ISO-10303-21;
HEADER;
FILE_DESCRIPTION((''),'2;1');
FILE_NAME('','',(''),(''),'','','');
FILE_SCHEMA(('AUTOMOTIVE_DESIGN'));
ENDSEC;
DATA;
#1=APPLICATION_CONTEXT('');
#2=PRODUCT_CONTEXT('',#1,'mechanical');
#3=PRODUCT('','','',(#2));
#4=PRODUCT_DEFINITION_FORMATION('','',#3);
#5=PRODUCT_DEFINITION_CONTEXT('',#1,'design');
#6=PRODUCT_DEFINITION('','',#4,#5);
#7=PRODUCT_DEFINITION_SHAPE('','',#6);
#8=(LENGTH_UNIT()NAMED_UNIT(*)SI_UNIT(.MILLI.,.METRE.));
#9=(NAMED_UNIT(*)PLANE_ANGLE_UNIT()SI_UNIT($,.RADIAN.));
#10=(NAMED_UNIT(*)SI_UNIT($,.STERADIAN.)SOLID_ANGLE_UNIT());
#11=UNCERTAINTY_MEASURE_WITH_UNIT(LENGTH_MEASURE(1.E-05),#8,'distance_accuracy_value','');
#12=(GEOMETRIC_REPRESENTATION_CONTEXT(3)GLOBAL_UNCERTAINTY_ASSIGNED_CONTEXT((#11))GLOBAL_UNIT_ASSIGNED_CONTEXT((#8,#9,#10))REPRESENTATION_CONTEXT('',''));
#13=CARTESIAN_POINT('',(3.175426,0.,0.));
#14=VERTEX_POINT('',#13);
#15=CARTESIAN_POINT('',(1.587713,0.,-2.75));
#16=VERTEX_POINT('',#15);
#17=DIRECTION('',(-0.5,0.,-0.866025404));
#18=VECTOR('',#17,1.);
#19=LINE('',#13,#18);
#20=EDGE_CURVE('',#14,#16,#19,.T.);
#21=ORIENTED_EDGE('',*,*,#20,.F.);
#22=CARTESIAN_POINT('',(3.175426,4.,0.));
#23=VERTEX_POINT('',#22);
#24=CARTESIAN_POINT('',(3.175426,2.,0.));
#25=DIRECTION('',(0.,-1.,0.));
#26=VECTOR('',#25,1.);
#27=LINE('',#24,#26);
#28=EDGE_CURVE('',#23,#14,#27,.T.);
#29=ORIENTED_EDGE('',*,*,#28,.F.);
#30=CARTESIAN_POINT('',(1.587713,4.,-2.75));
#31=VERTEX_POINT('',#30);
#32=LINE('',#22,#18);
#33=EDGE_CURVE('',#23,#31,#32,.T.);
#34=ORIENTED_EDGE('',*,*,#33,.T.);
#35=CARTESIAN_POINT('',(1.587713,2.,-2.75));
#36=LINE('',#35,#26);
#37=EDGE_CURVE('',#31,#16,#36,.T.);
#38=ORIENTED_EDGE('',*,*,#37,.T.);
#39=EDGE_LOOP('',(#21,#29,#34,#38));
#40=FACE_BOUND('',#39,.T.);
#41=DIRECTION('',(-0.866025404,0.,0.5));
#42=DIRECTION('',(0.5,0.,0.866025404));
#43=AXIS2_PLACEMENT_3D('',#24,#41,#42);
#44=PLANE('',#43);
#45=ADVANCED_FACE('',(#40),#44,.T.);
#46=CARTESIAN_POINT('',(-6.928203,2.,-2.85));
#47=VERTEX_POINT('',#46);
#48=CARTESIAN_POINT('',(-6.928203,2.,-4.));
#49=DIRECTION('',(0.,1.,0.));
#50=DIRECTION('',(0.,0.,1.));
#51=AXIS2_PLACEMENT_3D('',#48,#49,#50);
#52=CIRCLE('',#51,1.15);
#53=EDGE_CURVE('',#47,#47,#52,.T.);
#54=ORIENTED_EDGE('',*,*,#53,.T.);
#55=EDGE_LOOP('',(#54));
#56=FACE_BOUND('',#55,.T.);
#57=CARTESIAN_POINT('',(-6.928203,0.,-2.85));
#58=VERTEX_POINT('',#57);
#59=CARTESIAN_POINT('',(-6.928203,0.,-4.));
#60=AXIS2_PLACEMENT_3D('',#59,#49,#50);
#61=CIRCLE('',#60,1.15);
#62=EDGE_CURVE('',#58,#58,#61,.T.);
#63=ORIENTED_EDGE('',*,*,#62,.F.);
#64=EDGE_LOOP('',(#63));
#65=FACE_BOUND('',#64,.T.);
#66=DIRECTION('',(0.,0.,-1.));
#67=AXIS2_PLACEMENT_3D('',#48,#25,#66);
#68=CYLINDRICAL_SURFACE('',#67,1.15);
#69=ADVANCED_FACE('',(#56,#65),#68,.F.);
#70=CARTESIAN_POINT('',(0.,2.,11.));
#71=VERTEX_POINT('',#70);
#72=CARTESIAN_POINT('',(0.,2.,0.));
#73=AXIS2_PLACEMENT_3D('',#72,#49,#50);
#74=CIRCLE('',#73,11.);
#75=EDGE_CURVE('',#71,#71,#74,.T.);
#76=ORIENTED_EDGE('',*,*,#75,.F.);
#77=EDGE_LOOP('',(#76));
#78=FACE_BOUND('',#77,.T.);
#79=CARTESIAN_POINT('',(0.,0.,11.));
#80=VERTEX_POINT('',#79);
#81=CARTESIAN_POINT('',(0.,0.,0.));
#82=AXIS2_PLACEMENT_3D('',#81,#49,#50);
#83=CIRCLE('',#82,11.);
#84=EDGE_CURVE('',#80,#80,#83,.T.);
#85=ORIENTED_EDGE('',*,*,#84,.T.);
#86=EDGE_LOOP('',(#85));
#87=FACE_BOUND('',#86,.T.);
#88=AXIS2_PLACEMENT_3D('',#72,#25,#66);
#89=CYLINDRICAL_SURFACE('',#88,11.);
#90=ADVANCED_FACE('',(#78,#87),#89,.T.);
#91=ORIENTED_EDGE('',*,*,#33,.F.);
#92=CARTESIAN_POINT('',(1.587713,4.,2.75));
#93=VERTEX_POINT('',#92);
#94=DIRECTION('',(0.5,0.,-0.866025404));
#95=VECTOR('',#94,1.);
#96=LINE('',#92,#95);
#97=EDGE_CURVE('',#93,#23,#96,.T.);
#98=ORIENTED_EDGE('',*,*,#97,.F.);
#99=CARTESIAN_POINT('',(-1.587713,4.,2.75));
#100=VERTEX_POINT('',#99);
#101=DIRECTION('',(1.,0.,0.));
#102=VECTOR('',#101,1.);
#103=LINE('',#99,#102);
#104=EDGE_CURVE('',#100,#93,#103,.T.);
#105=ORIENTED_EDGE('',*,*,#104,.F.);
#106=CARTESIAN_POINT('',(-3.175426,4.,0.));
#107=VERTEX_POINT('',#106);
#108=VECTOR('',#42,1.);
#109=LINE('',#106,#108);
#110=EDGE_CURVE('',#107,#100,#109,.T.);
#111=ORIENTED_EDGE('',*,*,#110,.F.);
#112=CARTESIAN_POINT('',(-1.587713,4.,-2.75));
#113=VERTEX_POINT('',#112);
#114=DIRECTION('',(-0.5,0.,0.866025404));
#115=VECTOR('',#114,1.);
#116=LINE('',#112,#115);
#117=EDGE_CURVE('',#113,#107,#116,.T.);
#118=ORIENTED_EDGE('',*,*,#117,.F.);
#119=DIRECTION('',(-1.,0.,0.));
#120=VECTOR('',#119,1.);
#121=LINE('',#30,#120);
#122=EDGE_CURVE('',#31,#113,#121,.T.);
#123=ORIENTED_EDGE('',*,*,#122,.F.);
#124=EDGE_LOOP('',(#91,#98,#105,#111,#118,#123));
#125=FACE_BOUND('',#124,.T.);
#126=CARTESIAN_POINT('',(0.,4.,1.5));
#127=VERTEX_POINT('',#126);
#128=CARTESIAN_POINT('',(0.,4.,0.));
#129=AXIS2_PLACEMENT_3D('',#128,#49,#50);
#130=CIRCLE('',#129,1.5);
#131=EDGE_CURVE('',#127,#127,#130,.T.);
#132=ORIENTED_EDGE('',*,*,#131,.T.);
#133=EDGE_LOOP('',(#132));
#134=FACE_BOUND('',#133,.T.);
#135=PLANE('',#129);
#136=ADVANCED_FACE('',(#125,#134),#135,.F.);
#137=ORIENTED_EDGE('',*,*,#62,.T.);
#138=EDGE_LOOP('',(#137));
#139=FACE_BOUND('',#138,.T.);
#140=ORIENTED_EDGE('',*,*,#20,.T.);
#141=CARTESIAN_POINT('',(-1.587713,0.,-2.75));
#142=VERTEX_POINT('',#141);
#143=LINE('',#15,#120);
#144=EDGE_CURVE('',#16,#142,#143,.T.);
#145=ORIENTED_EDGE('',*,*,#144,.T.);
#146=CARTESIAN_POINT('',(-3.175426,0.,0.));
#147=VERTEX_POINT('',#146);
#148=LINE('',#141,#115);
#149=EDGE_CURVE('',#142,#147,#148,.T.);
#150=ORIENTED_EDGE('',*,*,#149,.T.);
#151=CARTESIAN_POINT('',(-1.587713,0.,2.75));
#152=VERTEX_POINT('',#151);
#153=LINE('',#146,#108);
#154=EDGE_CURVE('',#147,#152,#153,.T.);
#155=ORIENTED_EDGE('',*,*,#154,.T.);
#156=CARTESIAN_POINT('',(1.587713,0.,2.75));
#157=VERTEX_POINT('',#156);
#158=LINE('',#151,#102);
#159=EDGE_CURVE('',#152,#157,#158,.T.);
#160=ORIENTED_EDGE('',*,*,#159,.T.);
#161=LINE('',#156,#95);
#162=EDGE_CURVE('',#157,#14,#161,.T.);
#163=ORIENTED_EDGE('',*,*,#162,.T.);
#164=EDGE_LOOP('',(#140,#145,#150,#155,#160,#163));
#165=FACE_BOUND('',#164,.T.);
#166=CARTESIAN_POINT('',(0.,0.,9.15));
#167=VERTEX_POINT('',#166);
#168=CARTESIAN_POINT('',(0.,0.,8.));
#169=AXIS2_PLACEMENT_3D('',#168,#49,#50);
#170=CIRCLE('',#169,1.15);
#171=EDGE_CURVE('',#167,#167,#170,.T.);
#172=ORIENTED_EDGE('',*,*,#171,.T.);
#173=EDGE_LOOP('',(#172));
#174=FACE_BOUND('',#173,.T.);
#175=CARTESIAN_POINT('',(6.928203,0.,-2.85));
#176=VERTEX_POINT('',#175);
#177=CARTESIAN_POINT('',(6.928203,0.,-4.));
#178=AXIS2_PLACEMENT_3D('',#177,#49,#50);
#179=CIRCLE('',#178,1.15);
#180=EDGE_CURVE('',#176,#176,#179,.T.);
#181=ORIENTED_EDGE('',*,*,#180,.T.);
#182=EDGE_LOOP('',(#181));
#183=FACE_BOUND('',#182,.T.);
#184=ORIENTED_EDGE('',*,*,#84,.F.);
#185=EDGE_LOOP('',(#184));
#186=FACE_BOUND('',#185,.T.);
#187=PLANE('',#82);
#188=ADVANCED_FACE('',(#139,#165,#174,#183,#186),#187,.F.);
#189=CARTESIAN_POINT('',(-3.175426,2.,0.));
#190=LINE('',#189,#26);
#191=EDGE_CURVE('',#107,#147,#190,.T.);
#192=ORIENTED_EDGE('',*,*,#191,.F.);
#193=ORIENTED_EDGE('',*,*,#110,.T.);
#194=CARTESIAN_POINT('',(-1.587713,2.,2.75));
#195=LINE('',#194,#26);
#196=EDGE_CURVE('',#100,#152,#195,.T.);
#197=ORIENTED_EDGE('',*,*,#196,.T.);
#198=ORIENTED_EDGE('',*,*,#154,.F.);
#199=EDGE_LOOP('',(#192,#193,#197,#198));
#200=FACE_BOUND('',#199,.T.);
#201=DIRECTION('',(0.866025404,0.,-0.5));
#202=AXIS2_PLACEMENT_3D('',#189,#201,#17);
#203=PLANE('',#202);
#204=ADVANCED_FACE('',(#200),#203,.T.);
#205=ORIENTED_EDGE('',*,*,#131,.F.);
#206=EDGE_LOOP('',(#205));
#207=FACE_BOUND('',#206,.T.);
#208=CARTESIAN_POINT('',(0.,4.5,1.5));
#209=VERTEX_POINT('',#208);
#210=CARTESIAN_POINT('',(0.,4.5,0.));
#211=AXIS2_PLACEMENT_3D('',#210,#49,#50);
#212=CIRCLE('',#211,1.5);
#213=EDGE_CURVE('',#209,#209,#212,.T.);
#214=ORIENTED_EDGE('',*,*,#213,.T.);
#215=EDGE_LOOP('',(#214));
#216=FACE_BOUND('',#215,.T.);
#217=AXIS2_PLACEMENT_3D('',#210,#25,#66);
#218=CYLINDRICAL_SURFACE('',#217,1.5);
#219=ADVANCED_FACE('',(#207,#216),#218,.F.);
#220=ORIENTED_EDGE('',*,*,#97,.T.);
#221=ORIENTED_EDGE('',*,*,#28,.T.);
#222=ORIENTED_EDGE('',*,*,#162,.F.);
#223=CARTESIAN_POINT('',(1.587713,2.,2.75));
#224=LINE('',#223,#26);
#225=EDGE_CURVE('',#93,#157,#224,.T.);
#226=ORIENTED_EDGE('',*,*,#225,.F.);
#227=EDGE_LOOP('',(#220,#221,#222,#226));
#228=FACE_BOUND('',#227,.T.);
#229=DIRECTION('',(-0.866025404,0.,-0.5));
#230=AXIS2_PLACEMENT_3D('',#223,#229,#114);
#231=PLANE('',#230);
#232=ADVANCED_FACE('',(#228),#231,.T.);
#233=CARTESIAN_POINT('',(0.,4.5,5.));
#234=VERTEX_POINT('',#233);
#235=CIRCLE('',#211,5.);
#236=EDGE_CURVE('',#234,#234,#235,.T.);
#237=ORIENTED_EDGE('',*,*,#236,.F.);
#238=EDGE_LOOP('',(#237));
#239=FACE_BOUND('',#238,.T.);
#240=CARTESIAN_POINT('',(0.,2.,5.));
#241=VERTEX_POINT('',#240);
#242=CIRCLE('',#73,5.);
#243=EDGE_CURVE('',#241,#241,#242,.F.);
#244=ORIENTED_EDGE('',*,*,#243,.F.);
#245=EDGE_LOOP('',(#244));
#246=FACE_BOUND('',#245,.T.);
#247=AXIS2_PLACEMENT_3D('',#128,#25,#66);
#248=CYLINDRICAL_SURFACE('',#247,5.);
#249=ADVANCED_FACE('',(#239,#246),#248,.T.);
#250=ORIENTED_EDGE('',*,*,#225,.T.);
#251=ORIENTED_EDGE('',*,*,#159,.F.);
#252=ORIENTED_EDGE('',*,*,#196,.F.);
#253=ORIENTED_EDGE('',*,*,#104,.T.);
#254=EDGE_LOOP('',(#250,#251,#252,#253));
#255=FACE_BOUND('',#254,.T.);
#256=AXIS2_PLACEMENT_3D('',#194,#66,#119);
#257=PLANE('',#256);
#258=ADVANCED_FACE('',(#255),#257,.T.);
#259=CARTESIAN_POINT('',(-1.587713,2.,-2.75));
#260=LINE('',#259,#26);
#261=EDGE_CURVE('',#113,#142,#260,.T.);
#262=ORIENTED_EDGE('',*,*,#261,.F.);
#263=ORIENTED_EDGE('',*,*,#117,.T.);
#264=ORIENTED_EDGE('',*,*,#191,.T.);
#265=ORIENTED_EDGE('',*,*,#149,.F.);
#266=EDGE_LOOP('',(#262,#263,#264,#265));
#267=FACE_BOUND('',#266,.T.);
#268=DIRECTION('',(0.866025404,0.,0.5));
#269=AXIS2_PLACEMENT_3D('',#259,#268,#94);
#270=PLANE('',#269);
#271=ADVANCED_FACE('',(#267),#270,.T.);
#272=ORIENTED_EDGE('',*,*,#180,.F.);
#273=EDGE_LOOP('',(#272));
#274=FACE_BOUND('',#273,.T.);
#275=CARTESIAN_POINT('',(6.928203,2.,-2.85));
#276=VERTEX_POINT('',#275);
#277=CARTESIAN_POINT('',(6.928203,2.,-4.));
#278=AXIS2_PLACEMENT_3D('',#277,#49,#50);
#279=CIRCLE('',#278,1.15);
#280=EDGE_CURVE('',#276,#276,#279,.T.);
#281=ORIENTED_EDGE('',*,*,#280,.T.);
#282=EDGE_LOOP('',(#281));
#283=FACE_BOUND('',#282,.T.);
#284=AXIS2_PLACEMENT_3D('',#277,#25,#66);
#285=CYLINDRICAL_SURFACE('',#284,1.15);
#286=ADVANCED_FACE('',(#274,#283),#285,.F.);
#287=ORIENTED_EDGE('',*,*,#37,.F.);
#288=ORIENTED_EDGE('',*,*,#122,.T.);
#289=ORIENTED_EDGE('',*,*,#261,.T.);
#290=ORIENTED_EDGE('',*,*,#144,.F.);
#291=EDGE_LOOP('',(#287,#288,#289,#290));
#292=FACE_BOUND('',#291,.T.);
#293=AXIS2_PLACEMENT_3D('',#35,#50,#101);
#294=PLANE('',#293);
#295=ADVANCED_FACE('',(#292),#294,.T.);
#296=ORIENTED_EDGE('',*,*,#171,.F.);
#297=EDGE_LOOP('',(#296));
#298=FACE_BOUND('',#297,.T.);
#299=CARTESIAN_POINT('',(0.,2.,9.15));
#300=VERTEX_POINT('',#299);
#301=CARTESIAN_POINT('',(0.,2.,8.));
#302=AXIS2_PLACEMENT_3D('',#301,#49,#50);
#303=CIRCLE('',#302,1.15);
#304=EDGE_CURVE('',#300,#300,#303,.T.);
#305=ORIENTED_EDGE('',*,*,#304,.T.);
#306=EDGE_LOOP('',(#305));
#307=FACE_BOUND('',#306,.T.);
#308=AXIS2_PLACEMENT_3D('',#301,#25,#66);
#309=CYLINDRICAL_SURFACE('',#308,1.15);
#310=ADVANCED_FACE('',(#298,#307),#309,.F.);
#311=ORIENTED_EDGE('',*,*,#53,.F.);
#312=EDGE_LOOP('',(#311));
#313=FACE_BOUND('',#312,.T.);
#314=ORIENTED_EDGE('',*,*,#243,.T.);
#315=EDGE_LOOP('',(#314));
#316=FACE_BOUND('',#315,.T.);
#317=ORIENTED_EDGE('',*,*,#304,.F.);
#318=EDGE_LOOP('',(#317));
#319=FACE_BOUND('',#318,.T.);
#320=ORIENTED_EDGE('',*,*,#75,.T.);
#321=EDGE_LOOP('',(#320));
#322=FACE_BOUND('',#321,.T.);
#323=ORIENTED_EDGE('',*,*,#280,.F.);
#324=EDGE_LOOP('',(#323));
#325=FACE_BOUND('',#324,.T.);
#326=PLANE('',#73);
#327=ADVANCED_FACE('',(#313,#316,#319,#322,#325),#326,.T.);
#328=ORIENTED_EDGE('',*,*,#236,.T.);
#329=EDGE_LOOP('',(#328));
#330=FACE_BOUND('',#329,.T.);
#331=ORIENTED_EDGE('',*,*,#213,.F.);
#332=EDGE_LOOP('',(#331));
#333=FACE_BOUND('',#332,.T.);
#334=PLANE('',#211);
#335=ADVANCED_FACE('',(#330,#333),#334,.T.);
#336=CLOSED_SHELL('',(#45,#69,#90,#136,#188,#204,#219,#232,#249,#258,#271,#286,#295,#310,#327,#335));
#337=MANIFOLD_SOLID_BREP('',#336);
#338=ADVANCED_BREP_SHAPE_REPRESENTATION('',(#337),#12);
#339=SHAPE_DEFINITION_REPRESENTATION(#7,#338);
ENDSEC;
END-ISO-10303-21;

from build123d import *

# Parameters (mm, degrees)
SKETCH1_R           = 11
SKETCH1_R_2         = 1.15
BOSS_EXTRUDE1_DEPTH = 2
SKETCH3_R           = 5
BOSS_EXTRUDE3_DEPTH = 2
SKETCH4_R           = 5
SKETCH4_R_2         = 1.5
BOSS_EXTRUDE4_DEPTH = 0.5


with BuildPart() as part:
    # Sketch1 → Boss-Extrude1 (new body)
    with BuildSketch(Plane(origin=(0, 0, 0), x_dir=(1, 0, 0), z_dir=(0, 1, 0))):
        Circle(SKETCH1_R)
        with Locations((0, -8)):
            Circle(SKETCH1_R_2, mode=Mode.SUBTRACT)
        with Locations((-6.92820323, 4)):
            Circle(SKETCH1_R_2, mode=Mode.SUBTRACT)
        with Locations((6.92820323, 4)):
            Circle(SKETCH1_R_2, mode=Mode.SUBTRACT)
        Polygon((3.175426481, 0), (1.58771324, 2.75), (-1.58771324, 2.75), (-3.175426481, 0), (-1.58771324, -2.75), (1.58771324, -2.75), align=None, mode=Mode.SUBTRACT)
    extrude(amount=BOSS_EXTRUDE1_DEPTH)

    # Sketch3 → Boss-Extrude3 (add, symmetric)
    with BuildSketch(Plane(origin=(0, 2, 0), x_dir=(1, 0, 0), z_dir=(0, 1, 0))):
        Circle(SKETCH3_R)
        Polygon((3.175426481, 0), (1.58771324, 2.75), (-1.58771324, 2.75), (-3.175426481, 0), (-1.58771324, -2.75), (1.58771324, -2.75), align=None, mode=Mode.SUBTRACT)
    extrude(amount=BOSS_EXTRUDE3_DEPTH, both=True)

    # Sketch4 → Boss-Extrude4 (add)
    with BuildSketch(Plane(origin=(0, 4, 0), x_dir=(1, 0, 0), z_dir=(0, 1, 0))):
        Circle(SKETCH4_R)
        Circle(SKETCH4_R_2, mode=Mode.SUBTRACT)
    extrude(amount=BOSS_EXTRUDE4_DEPTH)


solid = part.part
